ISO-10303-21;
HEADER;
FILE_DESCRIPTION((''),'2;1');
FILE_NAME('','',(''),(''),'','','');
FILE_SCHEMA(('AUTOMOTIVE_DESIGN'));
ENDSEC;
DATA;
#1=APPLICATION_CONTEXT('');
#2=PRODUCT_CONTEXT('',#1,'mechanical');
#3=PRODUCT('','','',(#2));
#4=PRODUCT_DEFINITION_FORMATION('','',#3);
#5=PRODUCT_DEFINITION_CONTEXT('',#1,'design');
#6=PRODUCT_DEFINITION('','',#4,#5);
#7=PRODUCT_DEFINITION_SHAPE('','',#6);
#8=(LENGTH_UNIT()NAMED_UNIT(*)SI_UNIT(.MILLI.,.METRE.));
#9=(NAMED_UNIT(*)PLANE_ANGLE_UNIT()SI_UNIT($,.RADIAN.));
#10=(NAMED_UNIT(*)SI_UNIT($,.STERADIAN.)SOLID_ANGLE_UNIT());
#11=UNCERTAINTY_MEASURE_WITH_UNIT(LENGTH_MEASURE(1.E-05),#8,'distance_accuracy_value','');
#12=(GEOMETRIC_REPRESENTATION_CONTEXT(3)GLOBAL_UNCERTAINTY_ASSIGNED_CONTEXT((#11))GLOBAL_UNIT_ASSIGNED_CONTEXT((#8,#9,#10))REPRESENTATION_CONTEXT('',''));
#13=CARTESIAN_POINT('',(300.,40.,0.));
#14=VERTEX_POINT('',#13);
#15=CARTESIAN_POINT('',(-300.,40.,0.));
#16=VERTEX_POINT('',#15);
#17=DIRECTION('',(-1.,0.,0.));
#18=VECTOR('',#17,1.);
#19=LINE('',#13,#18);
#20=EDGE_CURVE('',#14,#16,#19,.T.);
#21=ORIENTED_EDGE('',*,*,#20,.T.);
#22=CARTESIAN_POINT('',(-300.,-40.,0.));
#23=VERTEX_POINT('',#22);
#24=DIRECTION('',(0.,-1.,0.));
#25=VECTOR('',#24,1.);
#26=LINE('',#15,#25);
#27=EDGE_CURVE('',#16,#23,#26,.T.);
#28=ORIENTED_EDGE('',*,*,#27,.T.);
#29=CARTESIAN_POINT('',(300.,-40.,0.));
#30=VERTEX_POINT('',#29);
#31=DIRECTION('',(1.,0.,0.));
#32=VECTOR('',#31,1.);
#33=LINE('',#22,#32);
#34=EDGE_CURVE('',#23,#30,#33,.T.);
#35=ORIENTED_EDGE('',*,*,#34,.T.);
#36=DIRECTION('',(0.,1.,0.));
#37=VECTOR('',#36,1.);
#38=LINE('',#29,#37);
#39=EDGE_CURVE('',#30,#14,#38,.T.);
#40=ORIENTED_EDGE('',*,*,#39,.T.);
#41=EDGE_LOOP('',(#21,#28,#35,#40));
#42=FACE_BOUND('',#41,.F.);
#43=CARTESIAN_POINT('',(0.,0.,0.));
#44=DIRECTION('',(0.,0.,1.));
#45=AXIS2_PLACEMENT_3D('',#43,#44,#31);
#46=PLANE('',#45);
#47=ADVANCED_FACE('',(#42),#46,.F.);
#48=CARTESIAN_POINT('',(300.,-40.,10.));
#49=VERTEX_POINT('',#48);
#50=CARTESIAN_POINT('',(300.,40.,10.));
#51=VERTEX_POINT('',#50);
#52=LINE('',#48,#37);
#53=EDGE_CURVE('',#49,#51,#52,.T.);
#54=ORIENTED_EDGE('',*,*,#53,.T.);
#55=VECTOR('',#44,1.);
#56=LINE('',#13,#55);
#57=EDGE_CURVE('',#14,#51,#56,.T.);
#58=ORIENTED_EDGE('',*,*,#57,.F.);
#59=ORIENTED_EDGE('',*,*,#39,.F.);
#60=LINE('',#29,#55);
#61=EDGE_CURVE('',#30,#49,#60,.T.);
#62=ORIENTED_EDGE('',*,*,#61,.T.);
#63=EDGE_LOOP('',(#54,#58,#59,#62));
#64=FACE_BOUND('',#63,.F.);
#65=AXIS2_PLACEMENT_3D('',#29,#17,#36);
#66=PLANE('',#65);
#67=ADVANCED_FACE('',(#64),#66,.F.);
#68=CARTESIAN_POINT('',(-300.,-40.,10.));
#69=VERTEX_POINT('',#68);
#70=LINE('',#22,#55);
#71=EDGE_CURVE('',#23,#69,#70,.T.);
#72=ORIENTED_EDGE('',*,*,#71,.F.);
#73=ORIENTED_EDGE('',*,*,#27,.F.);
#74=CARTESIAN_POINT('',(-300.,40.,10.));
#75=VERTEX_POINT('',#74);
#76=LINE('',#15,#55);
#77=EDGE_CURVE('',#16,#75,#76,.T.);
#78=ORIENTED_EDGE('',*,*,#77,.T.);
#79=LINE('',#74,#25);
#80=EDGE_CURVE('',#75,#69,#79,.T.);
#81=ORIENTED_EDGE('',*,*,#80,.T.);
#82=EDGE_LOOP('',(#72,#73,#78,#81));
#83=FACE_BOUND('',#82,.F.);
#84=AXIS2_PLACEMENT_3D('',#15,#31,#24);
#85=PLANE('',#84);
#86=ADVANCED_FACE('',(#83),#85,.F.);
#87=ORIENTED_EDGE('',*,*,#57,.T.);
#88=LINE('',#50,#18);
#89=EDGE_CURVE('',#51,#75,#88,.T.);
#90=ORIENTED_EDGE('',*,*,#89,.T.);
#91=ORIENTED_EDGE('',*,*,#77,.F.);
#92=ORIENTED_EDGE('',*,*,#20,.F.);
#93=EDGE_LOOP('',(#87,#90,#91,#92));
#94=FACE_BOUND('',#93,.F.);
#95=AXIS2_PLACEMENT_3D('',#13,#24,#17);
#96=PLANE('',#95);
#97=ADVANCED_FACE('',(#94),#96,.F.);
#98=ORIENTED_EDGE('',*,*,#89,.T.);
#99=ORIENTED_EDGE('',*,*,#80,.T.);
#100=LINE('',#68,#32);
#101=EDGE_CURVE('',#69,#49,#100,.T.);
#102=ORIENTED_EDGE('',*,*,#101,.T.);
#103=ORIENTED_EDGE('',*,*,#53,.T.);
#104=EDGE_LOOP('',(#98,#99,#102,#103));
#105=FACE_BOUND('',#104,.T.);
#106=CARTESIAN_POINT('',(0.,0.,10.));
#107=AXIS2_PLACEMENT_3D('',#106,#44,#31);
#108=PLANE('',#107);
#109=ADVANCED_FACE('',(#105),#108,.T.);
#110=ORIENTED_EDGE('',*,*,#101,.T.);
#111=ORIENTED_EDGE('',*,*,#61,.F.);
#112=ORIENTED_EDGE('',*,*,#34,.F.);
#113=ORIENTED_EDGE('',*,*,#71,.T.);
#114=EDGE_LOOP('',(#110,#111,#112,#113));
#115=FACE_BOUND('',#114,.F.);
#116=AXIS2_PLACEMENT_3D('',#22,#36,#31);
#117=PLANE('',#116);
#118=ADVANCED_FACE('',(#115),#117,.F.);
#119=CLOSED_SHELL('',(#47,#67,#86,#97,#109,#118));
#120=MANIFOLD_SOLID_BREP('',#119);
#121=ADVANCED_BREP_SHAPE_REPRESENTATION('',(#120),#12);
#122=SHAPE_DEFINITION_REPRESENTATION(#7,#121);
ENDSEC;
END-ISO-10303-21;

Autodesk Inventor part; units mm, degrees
ref_plane "YZ Plane" through (0, 0, 0) normal (1, 0, 0) x (0, 1, 0)
ref_plane "XZ Plane" through (0, 0, 0) normal (0, 1, 0) x (-1, 0, 0)
ref_plane "XY Plane" through (0, 0, 0) normal (0, 0, 1) x (1, 0, 0)
sketch "Skizze1" plane through (0, 0, 0) normal (0, 0, 1) x (1, 0, 0)
  line L0 (-300, -40) -> (300, -40)
  line L1 (300, -40) -> (300, 40)
  line L2 (300, 40) -> (-300, 40)
  line L3 (-300, 40) -> (-300, -40)
  line L4 (-300, -40) -> (300, 40) construction
  line L5 (300, -40) -> (-300, 40) construction
  point P0 (0, 0)
  dimension "d0" = 600
  dimension "d1" = 80
extrude "Extrusion1" add sketch "Skizze1" along normal blind 10
properties part number "ScaleCompartment_SidePanel" material "Polycarbonat, klar"
